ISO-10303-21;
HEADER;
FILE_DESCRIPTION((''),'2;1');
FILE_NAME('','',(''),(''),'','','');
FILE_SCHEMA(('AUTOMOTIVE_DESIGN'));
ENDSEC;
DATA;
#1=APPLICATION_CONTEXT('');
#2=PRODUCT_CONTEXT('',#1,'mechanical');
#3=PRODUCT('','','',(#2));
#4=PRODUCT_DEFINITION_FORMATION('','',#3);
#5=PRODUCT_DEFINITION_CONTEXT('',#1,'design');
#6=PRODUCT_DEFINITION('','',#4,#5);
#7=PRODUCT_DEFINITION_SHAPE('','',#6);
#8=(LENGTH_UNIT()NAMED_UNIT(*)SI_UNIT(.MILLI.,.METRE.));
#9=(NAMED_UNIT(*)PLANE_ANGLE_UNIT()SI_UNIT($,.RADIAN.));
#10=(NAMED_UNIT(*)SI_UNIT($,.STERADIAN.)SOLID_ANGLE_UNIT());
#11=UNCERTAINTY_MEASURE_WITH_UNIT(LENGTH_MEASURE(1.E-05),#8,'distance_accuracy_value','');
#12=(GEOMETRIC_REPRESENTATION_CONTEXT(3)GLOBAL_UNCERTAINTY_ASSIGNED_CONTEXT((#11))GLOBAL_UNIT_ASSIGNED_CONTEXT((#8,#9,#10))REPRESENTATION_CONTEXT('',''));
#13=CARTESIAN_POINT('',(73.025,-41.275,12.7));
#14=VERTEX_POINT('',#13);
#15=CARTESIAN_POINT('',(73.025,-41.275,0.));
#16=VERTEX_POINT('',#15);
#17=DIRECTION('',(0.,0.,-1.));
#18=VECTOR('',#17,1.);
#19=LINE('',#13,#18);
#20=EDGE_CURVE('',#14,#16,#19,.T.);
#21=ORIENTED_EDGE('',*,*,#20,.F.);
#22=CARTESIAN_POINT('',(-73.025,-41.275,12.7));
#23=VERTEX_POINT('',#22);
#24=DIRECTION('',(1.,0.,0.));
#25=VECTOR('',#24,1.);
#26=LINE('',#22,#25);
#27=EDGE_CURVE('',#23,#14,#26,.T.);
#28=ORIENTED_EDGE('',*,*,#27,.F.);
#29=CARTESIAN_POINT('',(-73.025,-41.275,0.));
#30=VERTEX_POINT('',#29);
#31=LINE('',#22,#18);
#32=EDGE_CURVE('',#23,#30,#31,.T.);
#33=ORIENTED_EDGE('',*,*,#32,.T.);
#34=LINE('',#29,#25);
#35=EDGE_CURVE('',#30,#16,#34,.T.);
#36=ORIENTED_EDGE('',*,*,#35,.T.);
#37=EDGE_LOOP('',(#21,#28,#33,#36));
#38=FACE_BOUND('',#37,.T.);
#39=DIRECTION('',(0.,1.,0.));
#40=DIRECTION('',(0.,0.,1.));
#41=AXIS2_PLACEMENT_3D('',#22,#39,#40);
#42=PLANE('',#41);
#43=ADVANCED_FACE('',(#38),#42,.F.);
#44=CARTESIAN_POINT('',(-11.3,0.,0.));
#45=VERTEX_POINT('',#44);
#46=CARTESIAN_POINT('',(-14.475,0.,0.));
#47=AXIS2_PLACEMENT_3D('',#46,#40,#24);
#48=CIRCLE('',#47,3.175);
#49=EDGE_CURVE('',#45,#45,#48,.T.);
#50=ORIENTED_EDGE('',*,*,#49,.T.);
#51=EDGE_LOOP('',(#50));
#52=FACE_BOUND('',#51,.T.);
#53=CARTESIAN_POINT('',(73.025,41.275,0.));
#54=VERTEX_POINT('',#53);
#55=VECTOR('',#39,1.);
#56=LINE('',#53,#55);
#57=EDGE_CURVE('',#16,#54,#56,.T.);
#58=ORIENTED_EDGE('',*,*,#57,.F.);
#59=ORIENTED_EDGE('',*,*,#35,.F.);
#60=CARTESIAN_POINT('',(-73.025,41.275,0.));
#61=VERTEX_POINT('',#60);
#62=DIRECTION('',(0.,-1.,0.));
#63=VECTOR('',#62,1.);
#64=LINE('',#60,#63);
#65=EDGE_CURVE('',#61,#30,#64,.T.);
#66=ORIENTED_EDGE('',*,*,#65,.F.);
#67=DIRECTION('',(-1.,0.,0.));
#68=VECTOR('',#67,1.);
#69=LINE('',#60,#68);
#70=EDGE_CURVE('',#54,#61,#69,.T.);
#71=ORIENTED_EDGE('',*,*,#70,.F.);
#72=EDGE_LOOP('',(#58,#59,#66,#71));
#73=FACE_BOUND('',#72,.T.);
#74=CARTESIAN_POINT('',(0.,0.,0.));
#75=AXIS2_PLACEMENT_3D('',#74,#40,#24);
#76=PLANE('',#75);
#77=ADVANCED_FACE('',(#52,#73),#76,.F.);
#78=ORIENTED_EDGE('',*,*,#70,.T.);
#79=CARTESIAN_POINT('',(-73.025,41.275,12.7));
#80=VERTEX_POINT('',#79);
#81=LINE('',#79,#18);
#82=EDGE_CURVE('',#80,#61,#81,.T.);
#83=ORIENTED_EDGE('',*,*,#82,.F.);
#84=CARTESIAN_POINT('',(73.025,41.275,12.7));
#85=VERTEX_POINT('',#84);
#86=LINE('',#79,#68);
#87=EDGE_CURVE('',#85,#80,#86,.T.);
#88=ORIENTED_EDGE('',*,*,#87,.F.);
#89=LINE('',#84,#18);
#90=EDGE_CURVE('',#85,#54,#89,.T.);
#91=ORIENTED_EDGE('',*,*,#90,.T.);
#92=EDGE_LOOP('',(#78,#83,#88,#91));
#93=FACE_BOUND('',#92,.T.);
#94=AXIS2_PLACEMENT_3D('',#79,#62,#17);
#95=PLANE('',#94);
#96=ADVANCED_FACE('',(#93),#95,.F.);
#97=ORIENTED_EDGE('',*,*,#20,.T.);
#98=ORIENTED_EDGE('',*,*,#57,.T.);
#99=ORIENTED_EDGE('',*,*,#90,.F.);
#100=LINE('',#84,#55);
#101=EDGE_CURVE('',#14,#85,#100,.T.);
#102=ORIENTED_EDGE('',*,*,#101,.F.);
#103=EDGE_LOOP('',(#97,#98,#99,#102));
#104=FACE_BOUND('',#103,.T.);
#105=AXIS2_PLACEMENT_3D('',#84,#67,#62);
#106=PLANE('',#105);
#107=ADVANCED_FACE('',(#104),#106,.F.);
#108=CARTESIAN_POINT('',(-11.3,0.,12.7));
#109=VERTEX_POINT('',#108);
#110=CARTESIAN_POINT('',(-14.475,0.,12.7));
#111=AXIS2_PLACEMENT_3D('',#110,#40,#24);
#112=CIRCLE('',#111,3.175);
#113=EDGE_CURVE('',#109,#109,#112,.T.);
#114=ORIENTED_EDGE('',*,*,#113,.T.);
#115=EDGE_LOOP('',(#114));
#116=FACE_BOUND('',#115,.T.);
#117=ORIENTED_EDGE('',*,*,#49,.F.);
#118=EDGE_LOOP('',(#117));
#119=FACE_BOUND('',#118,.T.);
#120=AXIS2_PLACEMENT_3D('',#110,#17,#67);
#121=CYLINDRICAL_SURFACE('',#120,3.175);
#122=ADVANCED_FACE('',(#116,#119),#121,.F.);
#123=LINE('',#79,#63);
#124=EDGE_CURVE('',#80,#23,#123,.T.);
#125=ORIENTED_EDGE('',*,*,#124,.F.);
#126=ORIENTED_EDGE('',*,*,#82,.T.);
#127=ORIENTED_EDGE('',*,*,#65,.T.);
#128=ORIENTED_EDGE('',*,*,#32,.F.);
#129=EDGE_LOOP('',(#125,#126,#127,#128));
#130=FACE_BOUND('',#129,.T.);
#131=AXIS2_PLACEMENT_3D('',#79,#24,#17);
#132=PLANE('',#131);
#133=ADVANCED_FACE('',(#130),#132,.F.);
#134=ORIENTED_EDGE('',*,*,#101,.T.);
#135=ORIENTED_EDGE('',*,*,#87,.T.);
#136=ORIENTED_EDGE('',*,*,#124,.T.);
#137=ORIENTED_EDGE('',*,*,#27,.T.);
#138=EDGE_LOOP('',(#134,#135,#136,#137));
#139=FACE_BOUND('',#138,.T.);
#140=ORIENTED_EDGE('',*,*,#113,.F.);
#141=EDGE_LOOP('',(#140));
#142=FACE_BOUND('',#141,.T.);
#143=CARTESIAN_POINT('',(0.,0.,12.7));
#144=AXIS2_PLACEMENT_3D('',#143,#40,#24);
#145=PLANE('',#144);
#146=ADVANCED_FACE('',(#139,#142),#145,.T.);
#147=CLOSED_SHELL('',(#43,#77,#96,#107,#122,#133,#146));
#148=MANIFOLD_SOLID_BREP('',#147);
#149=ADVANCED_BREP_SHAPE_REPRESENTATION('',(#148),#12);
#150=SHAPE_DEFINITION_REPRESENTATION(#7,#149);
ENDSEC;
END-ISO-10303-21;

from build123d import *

# Parameters (mm, degrees)
ESQUISSE1_W        = 146.05
ESQUISSE1_H        = 82.55
ESQUISSE1_R        = 3.175
BOSS_EXTRU_1_DEPTH = 12.7


with BuildPart() as part:
    # Esquisse1 → Boss.-Extru.1 (new body)
    with BuildSketch(Plane.XY):
        Rectangle(ESQUISSE1_W, ESQUISSE1_H)
        with Locations((-14.475000006, 0)):
            Circle(ESQUISSE1_R, mode=Mode.SUBTRACT)
    extrude(amount=BOSS_EXTRU_1_DEPTH)


solid = part.part
